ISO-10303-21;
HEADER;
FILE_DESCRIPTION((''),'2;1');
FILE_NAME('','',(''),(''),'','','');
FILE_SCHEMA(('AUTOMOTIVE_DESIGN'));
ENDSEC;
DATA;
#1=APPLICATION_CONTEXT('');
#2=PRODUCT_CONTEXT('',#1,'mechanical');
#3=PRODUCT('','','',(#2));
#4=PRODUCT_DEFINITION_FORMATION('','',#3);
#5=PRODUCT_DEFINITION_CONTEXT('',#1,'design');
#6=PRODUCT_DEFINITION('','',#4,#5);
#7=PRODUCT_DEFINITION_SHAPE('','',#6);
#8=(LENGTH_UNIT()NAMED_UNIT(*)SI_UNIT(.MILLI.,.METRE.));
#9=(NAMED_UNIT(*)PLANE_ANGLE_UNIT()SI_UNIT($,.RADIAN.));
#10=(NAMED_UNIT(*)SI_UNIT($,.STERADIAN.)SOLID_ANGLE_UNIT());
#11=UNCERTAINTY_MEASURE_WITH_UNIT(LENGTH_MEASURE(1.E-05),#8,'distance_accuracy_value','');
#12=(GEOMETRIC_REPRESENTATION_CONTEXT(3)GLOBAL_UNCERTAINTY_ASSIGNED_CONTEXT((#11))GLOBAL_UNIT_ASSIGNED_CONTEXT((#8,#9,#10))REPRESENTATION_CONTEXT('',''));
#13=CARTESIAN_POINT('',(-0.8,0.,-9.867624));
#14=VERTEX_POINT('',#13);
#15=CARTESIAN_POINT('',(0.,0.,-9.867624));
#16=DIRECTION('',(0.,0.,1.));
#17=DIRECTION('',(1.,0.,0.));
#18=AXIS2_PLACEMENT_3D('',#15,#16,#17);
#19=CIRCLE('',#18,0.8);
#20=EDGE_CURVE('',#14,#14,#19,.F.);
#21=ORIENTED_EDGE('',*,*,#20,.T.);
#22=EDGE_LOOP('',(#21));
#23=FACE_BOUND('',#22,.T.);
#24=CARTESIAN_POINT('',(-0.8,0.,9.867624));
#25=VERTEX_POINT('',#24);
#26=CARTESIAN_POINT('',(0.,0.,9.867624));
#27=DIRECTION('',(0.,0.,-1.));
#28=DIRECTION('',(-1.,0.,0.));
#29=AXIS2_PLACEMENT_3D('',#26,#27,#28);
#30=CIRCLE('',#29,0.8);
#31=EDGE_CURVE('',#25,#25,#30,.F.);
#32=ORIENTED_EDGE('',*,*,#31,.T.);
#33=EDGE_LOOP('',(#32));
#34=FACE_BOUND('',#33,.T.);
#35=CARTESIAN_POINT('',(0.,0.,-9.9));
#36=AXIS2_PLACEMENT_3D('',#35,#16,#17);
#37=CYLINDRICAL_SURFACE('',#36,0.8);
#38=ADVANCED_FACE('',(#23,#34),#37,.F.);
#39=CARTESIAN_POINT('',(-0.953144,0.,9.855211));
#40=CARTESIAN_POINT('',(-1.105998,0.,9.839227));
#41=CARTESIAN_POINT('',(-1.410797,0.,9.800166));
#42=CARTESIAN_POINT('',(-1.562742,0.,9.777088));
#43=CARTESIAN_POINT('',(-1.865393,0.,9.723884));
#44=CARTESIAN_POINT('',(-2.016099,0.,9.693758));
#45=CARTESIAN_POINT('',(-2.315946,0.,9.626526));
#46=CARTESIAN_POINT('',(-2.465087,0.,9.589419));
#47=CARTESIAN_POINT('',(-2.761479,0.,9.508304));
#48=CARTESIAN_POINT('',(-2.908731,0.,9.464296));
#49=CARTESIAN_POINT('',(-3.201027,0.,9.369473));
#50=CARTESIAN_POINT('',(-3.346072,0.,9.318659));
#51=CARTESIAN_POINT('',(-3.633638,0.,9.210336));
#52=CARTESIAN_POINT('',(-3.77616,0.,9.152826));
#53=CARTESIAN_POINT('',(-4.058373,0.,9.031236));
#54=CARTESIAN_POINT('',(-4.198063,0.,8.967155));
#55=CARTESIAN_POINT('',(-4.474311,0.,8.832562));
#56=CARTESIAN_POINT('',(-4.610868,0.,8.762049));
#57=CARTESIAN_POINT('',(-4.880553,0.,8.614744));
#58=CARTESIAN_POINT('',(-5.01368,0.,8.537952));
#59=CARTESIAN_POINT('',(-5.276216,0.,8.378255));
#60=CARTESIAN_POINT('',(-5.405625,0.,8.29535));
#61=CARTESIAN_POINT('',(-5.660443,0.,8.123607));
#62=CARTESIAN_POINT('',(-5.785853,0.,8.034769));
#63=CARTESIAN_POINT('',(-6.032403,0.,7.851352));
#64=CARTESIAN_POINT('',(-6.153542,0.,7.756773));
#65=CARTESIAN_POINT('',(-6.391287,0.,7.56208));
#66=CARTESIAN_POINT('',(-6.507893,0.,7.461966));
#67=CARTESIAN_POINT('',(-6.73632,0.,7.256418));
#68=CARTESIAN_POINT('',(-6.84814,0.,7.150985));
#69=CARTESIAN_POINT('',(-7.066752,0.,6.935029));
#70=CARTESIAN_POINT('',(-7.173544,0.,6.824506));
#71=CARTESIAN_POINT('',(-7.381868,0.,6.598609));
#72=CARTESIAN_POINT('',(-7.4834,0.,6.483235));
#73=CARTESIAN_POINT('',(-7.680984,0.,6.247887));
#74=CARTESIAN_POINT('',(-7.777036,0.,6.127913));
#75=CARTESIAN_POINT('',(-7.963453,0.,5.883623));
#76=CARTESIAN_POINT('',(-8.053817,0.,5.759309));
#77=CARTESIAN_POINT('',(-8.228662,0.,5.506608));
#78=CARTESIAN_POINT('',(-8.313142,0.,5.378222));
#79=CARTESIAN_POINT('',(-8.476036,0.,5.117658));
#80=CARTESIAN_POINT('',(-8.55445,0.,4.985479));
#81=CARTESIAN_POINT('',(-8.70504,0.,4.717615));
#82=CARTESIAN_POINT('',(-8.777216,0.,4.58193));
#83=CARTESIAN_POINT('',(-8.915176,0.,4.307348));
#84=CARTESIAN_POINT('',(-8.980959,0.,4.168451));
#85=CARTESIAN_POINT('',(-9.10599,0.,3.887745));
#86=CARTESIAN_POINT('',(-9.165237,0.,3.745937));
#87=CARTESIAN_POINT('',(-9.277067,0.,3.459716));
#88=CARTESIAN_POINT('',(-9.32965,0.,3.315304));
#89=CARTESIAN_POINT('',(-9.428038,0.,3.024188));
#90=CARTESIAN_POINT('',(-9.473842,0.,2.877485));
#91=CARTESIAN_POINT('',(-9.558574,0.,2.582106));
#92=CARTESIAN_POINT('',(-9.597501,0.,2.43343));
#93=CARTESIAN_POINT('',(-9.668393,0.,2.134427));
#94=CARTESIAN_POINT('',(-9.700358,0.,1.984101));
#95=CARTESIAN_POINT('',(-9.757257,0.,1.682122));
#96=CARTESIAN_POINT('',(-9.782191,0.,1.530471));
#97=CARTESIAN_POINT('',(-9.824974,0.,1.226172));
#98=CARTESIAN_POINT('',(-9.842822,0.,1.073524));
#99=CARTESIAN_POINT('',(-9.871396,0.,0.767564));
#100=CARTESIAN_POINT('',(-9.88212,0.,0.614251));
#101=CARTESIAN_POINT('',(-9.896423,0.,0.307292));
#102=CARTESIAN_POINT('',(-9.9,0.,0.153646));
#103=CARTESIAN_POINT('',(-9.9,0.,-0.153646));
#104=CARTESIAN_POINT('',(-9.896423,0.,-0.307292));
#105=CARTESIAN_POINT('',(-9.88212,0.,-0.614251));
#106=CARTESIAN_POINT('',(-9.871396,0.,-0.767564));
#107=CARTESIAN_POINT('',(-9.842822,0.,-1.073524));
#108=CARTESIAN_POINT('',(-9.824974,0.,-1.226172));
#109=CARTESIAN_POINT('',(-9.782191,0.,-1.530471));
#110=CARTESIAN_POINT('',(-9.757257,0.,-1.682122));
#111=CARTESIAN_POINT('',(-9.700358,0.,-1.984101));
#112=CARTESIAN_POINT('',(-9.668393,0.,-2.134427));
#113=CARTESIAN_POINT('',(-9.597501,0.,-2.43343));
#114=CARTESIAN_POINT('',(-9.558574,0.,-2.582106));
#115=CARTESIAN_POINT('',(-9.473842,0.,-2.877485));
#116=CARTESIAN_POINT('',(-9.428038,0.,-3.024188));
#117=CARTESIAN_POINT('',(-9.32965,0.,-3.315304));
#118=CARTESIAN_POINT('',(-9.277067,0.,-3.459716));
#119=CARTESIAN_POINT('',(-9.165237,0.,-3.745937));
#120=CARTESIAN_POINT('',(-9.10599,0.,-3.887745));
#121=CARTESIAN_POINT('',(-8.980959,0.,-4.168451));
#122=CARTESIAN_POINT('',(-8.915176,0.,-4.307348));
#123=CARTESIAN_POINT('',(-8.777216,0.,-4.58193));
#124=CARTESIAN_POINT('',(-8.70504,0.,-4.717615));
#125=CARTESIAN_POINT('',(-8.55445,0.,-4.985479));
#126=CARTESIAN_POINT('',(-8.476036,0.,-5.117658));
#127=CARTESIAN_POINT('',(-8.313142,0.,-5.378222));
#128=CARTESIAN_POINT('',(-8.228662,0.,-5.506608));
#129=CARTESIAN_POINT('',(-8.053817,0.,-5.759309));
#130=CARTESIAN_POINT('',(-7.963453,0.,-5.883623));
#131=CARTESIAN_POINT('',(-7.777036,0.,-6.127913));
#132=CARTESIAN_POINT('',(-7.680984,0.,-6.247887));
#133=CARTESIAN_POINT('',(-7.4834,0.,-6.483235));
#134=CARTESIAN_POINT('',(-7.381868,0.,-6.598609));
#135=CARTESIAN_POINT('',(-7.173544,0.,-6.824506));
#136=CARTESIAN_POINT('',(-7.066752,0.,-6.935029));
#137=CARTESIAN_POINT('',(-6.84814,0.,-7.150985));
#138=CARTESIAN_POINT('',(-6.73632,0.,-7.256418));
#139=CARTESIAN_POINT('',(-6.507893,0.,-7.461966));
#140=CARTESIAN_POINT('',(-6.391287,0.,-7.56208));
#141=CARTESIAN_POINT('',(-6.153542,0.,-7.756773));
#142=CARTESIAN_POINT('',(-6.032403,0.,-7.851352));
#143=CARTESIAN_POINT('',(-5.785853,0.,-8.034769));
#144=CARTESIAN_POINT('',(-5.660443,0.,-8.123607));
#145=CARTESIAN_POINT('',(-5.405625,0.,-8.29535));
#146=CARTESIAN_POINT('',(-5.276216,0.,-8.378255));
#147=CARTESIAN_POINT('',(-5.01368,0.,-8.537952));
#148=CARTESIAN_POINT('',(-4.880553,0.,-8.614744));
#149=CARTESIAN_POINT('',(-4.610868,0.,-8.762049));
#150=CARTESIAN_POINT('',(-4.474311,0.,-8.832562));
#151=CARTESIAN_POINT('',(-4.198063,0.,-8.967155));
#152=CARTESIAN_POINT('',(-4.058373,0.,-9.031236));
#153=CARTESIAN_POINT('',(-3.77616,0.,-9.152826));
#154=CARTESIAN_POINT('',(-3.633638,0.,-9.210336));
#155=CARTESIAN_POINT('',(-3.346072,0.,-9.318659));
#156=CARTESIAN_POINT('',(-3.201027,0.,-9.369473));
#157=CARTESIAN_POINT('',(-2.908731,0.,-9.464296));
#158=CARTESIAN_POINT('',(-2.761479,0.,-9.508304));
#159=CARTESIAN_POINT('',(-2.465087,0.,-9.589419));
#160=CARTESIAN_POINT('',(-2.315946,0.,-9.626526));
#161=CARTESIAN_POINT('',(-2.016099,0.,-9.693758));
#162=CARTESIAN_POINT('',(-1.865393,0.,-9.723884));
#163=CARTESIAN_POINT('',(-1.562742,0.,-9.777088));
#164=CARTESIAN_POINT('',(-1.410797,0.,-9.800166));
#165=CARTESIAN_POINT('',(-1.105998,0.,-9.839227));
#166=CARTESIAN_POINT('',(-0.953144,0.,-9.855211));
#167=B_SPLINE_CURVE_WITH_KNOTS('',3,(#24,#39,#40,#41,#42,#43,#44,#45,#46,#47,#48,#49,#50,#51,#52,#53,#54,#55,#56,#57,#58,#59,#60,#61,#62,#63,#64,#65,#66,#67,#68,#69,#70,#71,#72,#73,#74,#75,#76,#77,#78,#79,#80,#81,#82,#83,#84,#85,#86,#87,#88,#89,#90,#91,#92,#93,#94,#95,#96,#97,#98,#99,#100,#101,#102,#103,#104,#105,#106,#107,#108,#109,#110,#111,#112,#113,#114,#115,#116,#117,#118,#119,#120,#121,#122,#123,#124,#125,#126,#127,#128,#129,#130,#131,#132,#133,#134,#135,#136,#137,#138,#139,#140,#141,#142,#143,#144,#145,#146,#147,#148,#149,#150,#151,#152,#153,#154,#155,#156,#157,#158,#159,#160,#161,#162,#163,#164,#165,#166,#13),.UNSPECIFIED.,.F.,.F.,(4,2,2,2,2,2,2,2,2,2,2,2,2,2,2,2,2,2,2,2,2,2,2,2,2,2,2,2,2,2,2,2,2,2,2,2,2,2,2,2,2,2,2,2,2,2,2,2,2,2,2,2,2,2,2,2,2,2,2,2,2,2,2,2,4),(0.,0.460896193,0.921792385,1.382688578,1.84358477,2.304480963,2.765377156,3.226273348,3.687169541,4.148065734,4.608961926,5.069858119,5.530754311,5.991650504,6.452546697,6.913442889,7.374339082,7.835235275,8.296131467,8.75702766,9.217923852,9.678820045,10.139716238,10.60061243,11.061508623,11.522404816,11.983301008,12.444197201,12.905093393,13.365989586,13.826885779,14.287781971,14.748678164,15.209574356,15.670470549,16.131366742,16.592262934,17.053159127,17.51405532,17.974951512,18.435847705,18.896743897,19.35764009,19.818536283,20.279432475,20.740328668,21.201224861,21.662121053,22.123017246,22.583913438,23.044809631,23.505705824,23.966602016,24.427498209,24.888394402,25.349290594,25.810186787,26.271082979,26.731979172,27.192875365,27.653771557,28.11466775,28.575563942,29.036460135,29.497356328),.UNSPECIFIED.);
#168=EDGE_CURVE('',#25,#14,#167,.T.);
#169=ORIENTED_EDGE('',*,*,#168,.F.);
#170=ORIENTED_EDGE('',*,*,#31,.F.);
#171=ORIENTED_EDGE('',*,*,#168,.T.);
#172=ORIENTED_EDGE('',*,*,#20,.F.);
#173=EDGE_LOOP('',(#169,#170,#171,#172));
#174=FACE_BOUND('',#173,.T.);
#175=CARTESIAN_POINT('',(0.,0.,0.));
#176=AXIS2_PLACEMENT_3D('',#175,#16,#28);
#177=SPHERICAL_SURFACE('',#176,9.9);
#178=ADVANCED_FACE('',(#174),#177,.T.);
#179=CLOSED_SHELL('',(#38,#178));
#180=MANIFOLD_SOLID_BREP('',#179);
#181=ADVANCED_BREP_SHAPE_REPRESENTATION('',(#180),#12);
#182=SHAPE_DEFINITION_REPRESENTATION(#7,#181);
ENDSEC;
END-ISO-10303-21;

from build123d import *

# Parameters (mm, degrees)
CUT_EXTRUDE_1_DEPTH      = 18.147302995
CUT_EXTRUDE_1_DEPTH_BACK = 18.147302995
SKETCH_3_R               = 0.8


with BuildPart() as part:
    # 草图1 → 旋转1 (revolve)
    with BuildSketch(Plane(origin=(0, 0, 0), x_dir=(1, 0, 0), z_dir=(0, 1, 0))):
        with BuildLine():
            Line((0, 9.9), (0, -9.9))
            ThreePointArc((0, -9.9), (9.9, 0), (0, 9.9))
        make_face()
    revolve(axis=Axis((0, 0, 0), (0, 0, -1)))

    # 草图3 → 切除-拉伸1 (cut, two sides: drawn at the far end of the back side and taken through both)
    with BuildSketch(Plane.XY.offset(-CUT_EXTRUDE_1_DEPTH_BACK)):
        with Locations(Location((0, 0, 0), (0, 0, 180))):
            Circle(SKETCH_3_R)
    extrude(amount=CUT_EXTRUDE_1_DEPTH + CUT_EXTRUDE_1_DEPTH_BACK, mode=Mode.SUBTRACT)


solid = part.part
